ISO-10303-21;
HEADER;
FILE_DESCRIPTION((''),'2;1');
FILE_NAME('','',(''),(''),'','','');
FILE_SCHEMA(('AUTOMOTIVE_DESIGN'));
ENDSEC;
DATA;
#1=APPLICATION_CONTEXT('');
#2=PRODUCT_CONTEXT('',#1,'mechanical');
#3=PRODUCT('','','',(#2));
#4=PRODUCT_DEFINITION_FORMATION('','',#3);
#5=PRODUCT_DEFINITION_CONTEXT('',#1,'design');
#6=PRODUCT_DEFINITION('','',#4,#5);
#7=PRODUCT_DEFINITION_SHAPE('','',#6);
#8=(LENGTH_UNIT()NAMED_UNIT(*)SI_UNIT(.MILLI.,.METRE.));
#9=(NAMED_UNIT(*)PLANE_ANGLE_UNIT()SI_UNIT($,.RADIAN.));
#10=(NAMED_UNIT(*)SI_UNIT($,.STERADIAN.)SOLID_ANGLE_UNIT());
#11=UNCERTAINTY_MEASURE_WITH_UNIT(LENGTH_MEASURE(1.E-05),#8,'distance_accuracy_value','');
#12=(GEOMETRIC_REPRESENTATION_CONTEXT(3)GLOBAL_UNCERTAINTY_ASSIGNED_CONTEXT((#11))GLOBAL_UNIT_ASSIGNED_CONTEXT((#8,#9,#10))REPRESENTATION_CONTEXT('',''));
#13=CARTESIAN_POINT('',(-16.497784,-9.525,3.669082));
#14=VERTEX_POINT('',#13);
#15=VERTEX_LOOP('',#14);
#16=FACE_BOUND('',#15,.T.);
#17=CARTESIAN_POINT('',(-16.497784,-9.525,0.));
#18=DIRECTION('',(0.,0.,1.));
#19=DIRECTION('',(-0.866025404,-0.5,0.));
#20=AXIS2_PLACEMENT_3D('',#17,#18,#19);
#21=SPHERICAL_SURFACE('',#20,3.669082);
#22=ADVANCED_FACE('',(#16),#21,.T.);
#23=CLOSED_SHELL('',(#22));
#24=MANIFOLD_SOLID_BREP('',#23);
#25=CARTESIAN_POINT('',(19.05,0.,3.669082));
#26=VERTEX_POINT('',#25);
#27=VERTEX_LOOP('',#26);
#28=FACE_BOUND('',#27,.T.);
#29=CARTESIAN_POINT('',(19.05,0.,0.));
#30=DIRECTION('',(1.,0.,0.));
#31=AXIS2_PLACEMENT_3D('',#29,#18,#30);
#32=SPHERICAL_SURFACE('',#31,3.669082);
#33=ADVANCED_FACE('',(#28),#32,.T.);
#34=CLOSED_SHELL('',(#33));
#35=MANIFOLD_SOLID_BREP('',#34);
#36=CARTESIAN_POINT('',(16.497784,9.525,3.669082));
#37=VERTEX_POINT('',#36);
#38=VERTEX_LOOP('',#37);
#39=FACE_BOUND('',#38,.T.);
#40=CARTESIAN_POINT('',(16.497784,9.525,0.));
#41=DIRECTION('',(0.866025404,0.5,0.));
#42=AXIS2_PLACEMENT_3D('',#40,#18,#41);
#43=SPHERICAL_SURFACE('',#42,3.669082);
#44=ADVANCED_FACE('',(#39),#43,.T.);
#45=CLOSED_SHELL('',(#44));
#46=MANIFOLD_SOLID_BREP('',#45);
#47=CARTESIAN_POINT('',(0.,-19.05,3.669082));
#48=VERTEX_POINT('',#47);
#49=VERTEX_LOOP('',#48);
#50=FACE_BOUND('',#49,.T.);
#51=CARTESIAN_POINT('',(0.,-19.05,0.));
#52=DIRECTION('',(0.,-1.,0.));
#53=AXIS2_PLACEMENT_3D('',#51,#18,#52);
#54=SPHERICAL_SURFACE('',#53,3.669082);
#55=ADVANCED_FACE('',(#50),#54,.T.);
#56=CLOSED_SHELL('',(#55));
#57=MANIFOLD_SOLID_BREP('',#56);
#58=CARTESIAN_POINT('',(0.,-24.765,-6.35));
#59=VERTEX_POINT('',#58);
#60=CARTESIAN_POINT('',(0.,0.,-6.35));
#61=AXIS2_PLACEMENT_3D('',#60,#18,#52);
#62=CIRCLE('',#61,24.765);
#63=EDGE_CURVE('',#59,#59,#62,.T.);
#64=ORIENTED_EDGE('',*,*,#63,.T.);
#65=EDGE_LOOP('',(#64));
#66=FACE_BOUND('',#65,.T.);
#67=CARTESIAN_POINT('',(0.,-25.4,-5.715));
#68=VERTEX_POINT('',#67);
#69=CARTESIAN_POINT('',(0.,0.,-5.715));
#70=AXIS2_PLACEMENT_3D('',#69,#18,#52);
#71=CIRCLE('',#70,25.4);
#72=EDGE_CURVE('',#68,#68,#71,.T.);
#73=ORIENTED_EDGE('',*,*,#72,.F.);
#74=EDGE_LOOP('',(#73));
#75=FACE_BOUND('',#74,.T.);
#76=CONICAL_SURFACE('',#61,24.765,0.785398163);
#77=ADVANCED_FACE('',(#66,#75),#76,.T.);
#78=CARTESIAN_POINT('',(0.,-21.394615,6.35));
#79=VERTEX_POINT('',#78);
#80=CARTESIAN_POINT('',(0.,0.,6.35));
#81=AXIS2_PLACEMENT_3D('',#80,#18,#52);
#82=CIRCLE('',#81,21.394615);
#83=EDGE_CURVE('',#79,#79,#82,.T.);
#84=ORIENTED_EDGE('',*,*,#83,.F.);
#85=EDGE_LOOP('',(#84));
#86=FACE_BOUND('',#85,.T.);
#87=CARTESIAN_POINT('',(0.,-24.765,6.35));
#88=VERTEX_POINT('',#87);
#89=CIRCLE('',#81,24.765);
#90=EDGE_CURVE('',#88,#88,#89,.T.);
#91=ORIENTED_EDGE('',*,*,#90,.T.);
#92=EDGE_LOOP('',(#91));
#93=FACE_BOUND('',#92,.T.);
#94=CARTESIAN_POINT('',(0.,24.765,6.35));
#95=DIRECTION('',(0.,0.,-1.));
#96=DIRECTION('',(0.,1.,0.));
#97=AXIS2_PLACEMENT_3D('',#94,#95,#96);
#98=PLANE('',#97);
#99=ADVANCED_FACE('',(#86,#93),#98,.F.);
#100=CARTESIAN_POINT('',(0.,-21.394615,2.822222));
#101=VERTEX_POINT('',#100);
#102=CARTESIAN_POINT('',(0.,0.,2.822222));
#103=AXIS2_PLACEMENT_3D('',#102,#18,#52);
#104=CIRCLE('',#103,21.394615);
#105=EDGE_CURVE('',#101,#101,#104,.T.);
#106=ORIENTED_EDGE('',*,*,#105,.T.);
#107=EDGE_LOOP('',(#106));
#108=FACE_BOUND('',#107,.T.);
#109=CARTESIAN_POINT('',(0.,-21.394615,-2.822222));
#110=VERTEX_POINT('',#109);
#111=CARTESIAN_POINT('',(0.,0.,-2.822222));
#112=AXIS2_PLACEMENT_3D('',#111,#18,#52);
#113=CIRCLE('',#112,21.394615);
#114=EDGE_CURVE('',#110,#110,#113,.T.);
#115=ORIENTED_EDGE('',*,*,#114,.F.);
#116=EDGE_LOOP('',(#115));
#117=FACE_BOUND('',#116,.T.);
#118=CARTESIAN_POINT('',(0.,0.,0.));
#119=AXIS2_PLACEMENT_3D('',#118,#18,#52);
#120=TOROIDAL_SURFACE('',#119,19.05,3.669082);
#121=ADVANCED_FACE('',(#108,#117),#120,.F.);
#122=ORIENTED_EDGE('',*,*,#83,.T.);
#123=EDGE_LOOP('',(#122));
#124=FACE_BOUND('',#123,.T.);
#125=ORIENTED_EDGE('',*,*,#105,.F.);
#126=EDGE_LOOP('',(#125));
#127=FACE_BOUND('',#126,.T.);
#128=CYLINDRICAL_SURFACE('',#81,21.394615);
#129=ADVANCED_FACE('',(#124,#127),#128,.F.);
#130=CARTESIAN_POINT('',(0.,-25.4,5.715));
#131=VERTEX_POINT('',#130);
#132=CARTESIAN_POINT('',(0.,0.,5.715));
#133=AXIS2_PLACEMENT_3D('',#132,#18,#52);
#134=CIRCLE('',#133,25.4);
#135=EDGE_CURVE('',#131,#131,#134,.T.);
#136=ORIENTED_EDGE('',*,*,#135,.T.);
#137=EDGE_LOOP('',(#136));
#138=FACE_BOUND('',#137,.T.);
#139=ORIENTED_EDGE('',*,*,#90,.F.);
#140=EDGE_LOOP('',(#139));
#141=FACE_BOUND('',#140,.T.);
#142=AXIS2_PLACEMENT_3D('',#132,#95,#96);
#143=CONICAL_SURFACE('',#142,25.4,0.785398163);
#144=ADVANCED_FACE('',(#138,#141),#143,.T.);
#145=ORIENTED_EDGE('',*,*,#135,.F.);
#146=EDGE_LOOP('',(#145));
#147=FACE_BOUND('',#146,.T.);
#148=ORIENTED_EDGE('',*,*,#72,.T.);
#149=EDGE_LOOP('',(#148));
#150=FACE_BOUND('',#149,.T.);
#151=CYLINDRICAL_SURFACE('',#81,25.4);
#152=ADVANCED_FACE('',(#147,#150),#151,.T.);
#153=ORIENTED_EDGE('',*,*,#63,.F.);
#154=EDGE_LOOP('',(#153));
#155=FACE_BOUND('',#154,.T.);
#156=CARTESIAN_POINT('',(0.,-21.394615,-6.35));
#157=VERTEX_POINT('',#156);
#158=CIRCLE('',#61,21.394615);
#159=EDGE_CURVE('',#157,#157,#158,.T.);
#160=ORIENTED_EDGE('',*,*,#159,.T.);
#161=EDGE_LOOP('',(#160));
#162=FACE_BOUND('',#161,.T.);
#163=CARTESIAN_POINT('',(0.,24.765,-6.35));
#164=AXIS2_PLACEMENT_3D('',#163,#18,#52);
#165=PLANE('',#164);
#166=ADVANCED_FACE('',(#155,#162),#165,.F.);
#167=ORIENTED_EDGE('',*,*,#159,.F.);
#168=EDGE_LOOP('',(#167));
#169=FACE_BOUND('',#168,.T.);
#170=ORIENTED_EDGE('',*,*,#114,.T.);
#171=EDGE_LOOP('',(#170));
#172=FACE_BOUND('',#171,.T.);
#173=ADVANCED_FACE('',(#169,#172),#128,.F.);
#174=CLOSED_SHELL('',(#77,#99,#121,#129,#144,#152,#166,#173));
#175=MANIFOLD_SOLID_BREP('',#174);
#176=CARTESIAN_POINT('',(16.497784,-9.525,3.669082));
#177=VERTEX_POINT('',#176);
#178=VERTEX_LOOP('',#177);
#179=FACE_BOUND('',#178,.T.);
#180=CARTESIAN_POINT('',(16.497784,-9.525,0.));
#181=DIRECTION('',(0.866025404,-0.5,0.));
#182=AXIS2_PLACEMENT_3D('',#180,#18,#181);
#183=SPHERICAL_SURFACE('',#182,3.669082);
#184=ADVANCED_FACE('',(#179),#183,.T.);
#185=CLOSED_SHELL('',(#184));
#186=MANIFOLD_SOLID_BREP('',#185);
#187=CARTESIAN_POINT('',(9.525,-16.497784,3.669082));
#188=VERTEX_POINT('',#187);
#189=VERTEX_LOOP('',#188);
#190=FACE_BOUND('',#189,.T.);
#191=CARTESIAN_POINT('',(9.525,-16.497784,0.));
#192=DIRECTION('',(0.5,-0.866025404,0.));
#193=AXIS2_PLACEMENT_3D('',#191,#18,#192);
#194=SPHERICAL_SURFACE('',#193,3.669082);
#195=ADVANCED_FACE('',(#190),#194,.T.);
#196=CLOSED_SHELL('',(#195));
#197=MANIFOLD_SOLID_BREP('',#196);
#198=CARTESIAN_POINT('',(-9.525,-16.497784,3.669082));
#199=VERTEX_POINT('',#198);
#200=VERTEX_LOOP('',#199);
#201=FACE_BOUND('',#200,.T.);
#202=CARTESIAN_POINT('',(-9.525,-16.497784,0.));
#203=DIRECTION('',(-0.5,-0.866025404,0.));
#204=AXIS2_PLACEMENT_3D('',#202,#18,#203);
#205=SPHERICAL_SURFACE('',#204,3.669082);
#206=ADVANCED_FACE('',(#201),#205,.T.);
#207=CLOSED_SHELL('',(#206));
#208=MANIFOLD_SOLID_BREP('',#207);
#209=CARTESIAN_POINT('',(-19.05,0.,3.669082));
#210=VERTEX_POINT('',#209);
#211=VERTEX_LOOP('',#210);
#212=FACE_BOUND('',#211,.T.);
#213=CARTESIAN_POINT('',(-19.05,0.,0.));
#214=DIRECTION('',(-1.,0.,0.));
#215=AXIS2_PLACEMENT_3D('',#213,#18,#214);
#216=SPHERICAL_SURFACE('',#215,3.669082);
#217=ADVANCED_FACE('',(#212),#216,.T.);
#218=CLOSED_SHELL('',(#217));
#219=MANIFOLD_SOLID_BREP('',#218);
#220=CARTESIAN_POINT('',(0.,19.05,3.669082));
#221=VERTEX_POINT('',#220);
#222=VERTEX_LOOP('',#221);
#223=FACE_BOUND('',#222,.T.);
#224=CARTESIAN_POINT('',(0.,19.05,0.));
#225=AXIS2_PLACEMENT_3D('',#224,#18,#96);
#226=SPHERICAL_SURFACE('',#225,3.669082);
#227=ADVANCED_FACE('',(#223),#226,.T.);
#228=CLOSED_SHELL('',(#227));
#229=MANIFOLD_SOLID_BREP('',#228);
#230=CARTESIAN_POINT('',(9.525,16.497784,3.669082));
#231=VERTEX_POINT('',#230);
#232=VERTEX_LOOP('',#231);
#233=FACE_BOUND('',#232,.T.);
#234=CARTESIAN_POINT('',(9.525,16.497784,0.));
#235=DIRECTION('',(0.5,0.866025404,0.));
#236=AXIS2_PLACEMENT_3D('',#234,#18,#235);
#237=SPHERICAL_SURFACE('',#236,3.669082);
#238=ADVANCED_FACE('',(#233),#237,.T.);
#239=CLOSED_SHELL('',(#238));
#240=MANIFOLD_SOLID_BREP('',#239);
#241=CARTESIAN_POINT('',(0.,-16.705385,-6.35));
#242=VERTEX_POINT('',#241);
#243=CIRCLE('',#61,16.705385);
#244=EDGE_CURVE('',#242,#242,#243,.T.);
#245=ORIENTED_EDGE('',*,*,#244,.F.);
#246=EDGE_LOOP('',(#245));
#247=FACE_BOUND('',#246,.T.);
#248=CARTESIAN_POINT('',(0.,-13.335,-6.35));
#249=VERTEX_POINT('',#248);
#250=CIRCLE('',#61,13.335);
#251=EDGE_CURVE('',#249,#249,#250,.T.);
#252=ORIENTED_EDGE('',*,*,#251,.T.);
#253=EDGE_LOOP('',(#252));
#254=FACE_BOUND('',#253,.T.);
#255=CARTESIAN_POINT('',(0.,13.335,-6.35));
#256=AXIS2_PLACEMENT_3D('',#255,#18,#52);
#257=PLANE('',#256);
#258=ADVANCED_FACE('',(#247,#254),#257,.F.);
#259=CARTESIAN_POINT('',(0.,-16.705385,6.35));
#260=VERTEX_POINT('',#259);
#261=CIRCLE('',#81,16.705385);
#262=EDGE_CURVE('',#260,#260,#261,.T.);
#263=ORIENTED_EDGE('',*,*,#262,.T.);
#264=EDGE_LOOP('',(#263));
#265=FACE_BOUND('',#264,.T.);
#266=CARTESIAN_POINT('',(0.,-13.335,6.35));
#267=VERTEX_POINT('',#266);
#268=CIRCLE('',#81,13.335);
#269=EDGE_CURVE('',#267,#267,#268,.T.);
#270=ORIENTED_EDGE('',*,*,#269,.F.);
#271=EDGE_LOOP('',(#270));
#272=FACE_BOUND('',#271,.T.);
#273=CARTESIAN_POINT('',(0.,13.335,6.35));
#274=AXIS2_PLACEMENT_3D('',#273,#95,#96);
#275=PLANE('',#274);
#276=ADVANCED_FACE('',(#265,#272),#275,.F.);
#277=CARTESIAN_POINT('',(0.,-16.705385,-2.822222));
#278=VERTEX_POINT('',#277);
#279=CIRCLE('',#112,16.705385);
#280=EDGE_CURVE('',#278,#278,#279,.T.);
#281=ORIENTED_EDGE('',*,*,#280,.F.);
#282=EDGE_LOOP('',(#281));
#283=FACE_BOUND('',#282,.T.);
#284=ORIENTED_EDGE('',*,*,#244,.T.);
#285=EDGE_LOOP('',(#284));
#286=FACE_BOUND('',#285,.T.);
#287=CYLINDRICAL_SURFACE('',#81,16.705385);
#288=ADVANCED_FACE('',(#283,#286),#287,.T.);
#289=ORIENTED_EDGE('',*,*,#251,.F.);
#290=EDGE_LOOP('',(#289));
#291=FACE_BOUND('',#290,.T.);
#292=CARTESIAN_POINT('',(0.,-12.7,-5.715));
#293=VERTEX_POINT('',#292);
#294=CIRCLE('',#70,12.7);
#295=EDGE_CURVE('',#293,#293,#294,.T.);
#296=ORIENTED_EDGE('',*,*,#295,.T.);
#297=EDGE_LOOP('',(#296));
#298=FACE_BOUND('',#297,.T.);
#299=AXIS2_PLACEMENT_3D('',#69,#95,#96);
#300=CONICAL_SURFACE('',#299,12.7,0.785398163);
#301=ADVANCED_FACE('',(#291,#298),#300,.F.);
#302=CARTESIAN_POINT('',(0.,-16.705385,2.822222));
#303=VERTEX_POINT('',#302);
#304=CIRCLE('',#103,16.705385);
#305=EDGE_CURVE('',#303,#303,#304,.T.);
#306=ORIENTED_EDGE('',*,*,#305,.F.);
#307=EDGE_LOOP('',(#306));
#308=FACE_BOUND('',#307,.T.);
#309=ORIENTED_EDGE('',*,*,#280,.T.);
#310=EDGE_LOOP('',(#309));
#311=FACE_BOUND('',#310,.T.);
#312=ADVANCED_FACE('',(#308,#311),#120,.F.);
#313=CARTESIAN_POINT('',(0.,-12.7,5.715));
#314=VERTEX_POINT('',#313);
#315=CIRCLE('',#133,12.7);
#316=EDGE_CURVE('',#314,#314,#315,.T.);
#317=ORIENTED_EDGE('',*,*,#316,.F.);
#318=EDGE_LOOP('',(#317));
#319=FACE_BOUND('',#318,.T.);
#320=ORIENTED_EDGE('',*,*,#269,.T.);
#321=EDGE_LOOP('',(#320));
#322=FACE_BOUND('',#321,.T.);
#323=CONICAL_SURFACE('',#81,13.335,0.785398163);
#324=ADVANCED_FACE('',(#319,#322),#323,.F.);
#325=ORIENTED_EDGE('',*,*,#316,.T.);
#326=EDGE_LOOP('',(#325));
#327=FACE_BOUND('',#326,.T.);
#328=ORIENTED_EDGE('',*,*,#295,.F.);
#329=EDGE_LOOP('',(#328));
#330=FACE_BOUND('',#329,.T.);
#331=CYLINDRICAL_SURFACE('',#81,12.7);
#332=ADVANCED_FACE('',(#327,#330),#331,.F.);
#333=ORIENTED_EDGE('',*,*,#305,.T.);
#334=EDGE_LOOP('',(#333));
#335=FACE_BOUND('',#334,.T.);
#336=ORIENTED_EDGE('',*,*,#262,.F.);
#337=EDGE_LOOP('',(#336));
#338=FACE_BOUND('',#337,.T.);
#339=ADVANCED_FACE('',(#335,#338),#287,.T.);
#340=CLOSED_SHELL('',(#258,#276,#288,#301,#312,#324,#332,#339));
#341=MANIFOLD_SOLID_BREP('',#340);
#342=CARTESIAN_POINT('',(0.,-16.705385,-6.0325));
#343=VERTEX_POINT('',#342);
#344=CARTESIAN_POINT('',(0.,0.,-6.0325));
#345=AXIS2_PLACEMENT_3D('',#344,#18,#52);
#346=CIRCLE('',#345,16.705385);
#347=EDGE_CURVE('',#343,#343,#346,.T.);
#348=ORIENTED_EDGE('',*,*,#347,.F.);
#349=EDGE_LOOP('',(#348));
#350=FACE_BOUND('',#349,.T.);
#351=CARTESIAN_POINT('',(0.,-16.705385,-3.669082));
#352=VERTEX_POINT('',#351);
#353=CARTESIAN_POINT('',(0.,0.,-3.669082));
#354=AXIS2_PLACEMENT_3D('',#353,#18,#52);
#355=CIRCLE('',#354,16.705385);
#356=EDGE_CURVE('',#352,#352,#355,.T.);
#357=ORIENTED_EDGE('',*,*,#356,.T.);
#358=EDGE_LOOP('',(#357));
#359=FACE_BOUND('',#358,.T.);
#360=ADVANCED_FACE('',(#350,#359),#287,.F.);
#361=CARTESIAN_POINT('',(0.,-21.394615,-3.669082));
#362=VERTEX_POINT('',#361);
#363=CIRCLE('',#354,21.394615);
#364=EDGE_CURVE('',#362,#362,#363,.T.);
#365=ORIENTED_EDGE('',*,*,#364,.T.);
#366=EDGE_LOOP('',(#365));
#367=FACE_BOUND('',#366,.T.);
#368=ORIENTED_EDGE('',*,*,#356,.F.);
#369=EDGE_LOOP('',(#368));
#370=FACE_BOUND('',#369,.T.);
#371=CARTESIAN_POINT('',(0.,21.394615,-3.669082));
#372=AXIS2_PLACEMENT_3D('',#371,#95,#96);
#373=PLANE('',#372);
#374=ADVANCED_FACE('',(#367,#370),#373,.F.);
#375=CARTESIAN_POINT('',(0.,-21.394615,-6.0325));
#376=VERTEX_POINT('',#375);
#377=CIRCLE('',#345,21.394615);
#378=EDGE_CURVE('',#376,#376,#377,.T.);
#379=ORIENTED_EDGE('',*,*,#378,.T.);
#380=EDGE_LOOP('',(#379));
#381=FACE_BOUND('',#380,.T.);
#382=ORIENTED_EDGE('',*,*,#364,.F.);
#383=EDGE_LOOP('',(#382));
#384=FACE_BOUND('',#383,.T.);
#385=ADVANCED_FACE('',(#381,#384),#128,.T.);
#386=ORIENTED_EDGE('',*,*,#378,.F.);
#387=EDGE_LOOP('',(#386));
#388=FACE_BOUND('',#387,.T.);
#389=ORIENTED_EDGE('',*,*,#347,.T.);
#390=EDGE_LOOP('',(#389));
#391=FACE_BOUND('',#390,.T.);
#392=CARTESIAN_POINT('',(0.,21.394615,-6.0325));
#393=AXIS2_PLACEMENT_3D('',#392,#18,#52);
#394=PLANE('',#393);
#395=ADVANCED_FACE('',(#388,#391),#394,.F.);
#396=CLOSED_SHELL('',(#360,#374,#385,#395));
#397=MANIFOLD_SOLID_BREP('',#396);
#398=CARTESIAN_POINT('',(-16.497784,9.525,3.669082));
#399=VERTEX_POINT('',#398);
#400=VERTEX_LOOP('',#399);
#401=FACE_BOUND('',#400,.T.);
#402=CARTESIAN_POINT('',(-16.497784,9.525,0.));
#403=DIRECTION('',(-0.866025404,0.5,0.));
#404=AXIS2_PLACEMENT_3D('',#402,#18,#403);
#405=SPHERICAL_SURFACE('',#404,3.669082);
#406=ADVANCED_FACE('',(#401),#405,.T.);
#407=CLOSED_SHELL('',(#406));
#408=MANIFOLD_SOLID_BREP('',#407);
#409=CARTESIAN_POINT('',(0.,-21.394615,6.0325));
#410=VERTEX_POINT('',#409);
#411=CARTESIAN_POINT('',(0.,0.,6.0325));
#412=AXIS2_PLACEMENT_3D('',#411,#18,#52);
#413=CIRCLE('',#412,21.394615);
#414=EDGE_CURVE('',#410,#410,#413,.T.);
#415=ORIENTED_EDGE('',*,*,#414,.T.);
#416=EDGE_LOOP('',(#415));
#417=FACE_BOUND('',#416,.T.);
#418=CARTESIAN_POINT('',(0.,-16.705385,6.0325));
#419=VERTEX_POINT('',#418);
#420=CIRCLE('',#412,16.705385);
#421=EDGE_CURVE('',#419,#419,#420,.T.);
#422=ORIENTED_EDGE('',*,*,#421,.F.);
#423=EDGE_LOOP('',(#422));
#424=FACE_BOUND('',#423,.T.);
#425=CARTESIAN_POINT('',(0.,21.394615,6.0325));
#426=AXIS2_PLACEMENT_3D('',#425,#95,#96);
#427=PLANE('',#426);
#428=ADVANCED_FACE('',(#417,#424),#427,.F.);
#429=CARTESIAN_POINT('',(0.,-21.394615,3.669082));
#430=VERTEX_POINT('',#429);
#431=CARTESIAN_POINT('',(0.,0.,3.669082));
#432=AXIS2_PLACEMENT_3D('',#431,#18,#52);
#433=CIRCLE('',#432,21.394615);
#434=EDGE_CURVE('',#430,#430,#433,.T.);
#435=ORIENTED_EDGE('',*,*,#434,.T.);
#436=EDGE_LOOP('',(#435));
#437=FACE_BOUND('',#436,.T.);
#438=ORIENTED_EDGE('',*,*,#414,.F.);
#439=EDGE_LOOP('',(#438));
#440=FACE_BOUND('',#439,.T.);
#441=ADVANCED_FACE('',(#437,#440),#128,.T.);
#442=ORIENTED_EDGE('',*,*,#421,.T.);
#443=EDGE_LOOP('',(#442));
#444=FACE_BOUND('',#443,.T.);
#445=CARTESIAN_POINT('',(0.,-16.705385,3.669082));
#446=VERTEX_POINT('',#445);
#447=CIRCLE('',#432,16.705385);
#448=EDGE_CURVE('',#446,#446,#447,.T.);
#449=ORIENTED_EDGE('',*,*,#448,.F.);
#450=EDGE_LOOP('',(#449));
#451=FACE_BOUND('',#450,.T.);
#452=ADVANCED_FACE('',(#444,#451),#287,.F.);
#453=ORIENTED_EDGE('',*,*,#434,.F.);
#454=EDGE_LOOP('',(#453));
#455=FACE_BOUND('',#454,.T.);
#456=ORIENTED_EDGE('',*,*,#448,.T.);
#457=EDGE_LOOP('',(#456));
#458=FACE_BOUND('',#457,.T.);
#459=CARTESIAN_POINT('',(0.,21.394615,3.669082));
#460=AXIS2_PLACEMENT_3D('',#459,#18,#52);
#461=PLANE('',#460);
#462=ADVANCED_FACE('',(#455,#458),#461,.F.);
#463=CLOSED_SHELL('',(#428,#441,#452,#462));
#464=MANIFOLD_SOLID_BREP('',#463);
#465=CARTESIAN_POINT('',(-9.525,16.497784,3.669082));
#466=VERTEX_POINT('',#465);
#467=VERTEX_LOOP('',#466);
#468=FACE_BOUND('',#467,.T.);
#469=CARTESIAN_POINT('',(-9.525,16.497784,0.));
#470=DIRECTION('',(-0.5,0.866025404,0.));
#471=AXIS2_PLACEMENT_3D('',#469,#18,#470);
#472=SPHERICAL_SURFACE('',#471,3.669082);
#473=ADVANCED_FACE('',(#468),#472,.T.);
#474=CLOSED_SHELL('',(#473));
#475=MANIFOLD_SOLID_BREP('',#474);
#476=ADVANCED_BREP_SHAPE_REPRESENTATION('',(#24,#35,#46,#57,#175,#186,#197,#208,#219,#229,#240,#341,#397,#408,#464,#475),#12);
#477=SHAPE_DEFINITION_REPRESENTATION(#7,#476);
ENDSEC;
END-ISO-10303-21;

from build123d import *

# Parameters (mm, degrees)
CIRPATTERN1_COUNT = 12
SKETCH6_W         = 2.363418429
SKETCH6_H         = 4.68923077


with BuildPart() as part:
    # Sketch3 → Revolve1 (revolve)
    with BuildSketch(Plane(origin=(0, 0, 0), x_dir=(0, 0, -1), z_dir=(1, 0, 0)), mode=Mode.PRIVATE) as revolve1_sk:
        with BuildLine():
            Line((5.715, 25.4), (6.35, 24.765))
            Line((6.35, 24.765), (6.35, 21.394615385))
            Line((6.35, 21.394615385), (2.822222222, 21.394615385))
            ThreePointArc((2.822222222, 21.394615385), (0, 22.719081571), (-2.822222222, 21.394615385))
            Line((-2.822222222, 21.394615385), (-6.35, 21.394615385))
            Line((-6.35, 21.394615385), (-6.35, 24.765))
            Line((-6.35, 24.765), (-5.715, 25.4))
            Line((-5.715, 25.4), (5.715, 25.4))
        make_face()
    revolve(revolve1_sk.sketch.rotate(Axis((0, 0, 6.35), (0, 0, -1)), 180), axis=Axis((0, 0, 6.35), (0, 0, -1)))


with BuildPart() as body_2:
    # Sketch4 → Revolve2 (revolve)
    with BuildSketch(Plane(origin=(0, 0, 0), x_dir=(0, 0, -1), z_dir=(1, 0, 0)), mode=Mode.PRIVATE) as revolve2_sk:
        with BuildLine():
            Line((-5.715, 12.7), (-6.35, 13.335))
            Line((-6.35, 13.335), (-6.35, 16.705384615))
            Line((-6.35, 16.705384615), (-2.822222222, 16.705384615))
            ThreePointArc((-2.822222222, 16.705384615), (0, 15.380918429), (2.822222222, 16.705384615))
            Line((2.822222222, 16.705384615), (6.35, 16.705384615))
            Line((6.35, 16.705384615), (6.35, 13.335))
            Line((6.35, 13.335), (5.715, 12.7))
            Line((5.715, 12.7), (-5.715, 12.7))
        make_face()
    revolve(revolve2_sk.sketch.rotate(Axis((0, 0, 6.35), (0, 0, -1)), 180), axis=Axis((0, 0, 6.35), (0, 0, -1)))


with BuildPart() as body_3:
    # Sketch5 → Revolve3 (revolve)
    with BuildSketch(Plane(origin=(0, 0, 0), x_dir=(0, 0, -1), z_dir=(1, 0, 0))):
        with BuildLine():
            Line((-3.669081571, 19.05), (3.669081571, 19.05))
            ThreePointArc((3.669081571, 19.05), (0, 22.719081571), (-3.669081571, 19.05))
        make_face()
    revolve(axis=Axis((0, 19.05, 3.669081571), (0, 0, -1)))


with BuildPart() as cirpattern1_1:
    # CirPattern1: pattern copy
    add(body_3.part.rotate(Axis((0, 0, 0), (0, 0, 1)), 1 * 360 / CIRPATTERN1_COUNT))


with BuildPart() as cirpattern1_2:
    # CirPattern1: pattern copy
    add(body_3.part.rotate(Axis((0, 0, 0), (0, 0, 1)), 2 * 360 / CIRPATTERN1_COUNT))


with BuildPart() as cirpattern1_3:
    # CirPattern1: pattern copy
    add(body_3.part.rotate(Axis((0, 0, 0), (0, 0, 1)), 3 * 360 / CIRPATTERN1_COUNT))


with BuildPart() as cirpattern1_4:
    # CirPattern1: pattern copy
    add(body_3.part.rotate(Axis((0, 0, 0), (0, 0, 1)), 4 * 360 / CIRPATTERN1_COUNT))


with BuildPart() as cirpattern1_5:
    # CirPattern1: pattern copy
    add(body_3.part.rotate(Axis((0, 0, 0), (0, 0, 1)), 5 * 360 / CIRPATTERN1_COUNT))


with BuildPart() as cirpattern1_6:
    # CirPattern1: pattern copy
    add(body_3.part.rotate(Axis((0, 0, 0), (0, 0, 1)), 6 * 360 / CIRPATTERN1_COUNT))


with BuildPart() as cirpattern1_7:
    # CirPattern1: pattern copy
    add(body_3.part.rotate(Axis((0, 0, 0), (0, 0, 1)), 7 * 360 / CIRPATTERN1_COUNT))


with BuildPart() as cirpattern1_8:
    # CirPattern1: pattern copy
    add(body_3.part.rotate(Axis((0, 0, 0), (0, 0, 1)), 8 * 360 / CIRPATTERN1_COUNT))


with BuildPart() as cirpattern1_9:
    # CirPattern1: pattern copy
    add(body_3.part.rotate(Axis((0, 0, 0), (0, 0, 1)), 9 * 360 / CIRPATTERN1_COUNT))


with BuildPart() as cirpattern1_10:
    # CirPattern1: pattern copy
    add(body_3.part.rotate(Axis((0, 0, 0), (0, 0, 1)), 10 * 360 / CIRPATTERN1_COUNT))


with BuildPart() as cirpattern1_11:
    # CirPattern1: pattern copy
    add(body_3.part.rotate(Axis((0, 0, 0), (0, 0, 1)), 11 * 360 / CIRPATTERN1_COUNT))


with BuildPart() as body_15:
    # Sketch6 → Revolve4 (revolve)
    with BuildSketch(Plane(origin=(0, 0, 0), x_dir=(0, 0, -1), z_dir=(1, 0, 0)), mode=Mode.PRIVATE) as revolve4_sk:
        with Locations((-4.850790786, 19.05)):
            Rectangle(SKETCH6_W, SKETCH6_H)
        with Locations((4.850790786, 19.05)):
            Rectangle(SKETCH6_W, SKETCH6_H)
    revolve(revolve4_sk.sketch.rotate(Axis((0, 0, 6.35), (0, 0, -1)), 180), axis=Axis((0, 0, 6.35), (0, 0, -1)))


solid = Compound([part.part, body_2.part, body_3.part, cirpattern1_1.part, cirpattern1_2.part, cirpattern1_3.part, cirpattern1_4.part, cirpattern1_5.part, cirpattern1_6.part, cirpattern1_7.part, cirpattern1_8.part, cirpattern1_9.part, cirpattern1_10.part, cirpattern1_11.part, body_15.part])
